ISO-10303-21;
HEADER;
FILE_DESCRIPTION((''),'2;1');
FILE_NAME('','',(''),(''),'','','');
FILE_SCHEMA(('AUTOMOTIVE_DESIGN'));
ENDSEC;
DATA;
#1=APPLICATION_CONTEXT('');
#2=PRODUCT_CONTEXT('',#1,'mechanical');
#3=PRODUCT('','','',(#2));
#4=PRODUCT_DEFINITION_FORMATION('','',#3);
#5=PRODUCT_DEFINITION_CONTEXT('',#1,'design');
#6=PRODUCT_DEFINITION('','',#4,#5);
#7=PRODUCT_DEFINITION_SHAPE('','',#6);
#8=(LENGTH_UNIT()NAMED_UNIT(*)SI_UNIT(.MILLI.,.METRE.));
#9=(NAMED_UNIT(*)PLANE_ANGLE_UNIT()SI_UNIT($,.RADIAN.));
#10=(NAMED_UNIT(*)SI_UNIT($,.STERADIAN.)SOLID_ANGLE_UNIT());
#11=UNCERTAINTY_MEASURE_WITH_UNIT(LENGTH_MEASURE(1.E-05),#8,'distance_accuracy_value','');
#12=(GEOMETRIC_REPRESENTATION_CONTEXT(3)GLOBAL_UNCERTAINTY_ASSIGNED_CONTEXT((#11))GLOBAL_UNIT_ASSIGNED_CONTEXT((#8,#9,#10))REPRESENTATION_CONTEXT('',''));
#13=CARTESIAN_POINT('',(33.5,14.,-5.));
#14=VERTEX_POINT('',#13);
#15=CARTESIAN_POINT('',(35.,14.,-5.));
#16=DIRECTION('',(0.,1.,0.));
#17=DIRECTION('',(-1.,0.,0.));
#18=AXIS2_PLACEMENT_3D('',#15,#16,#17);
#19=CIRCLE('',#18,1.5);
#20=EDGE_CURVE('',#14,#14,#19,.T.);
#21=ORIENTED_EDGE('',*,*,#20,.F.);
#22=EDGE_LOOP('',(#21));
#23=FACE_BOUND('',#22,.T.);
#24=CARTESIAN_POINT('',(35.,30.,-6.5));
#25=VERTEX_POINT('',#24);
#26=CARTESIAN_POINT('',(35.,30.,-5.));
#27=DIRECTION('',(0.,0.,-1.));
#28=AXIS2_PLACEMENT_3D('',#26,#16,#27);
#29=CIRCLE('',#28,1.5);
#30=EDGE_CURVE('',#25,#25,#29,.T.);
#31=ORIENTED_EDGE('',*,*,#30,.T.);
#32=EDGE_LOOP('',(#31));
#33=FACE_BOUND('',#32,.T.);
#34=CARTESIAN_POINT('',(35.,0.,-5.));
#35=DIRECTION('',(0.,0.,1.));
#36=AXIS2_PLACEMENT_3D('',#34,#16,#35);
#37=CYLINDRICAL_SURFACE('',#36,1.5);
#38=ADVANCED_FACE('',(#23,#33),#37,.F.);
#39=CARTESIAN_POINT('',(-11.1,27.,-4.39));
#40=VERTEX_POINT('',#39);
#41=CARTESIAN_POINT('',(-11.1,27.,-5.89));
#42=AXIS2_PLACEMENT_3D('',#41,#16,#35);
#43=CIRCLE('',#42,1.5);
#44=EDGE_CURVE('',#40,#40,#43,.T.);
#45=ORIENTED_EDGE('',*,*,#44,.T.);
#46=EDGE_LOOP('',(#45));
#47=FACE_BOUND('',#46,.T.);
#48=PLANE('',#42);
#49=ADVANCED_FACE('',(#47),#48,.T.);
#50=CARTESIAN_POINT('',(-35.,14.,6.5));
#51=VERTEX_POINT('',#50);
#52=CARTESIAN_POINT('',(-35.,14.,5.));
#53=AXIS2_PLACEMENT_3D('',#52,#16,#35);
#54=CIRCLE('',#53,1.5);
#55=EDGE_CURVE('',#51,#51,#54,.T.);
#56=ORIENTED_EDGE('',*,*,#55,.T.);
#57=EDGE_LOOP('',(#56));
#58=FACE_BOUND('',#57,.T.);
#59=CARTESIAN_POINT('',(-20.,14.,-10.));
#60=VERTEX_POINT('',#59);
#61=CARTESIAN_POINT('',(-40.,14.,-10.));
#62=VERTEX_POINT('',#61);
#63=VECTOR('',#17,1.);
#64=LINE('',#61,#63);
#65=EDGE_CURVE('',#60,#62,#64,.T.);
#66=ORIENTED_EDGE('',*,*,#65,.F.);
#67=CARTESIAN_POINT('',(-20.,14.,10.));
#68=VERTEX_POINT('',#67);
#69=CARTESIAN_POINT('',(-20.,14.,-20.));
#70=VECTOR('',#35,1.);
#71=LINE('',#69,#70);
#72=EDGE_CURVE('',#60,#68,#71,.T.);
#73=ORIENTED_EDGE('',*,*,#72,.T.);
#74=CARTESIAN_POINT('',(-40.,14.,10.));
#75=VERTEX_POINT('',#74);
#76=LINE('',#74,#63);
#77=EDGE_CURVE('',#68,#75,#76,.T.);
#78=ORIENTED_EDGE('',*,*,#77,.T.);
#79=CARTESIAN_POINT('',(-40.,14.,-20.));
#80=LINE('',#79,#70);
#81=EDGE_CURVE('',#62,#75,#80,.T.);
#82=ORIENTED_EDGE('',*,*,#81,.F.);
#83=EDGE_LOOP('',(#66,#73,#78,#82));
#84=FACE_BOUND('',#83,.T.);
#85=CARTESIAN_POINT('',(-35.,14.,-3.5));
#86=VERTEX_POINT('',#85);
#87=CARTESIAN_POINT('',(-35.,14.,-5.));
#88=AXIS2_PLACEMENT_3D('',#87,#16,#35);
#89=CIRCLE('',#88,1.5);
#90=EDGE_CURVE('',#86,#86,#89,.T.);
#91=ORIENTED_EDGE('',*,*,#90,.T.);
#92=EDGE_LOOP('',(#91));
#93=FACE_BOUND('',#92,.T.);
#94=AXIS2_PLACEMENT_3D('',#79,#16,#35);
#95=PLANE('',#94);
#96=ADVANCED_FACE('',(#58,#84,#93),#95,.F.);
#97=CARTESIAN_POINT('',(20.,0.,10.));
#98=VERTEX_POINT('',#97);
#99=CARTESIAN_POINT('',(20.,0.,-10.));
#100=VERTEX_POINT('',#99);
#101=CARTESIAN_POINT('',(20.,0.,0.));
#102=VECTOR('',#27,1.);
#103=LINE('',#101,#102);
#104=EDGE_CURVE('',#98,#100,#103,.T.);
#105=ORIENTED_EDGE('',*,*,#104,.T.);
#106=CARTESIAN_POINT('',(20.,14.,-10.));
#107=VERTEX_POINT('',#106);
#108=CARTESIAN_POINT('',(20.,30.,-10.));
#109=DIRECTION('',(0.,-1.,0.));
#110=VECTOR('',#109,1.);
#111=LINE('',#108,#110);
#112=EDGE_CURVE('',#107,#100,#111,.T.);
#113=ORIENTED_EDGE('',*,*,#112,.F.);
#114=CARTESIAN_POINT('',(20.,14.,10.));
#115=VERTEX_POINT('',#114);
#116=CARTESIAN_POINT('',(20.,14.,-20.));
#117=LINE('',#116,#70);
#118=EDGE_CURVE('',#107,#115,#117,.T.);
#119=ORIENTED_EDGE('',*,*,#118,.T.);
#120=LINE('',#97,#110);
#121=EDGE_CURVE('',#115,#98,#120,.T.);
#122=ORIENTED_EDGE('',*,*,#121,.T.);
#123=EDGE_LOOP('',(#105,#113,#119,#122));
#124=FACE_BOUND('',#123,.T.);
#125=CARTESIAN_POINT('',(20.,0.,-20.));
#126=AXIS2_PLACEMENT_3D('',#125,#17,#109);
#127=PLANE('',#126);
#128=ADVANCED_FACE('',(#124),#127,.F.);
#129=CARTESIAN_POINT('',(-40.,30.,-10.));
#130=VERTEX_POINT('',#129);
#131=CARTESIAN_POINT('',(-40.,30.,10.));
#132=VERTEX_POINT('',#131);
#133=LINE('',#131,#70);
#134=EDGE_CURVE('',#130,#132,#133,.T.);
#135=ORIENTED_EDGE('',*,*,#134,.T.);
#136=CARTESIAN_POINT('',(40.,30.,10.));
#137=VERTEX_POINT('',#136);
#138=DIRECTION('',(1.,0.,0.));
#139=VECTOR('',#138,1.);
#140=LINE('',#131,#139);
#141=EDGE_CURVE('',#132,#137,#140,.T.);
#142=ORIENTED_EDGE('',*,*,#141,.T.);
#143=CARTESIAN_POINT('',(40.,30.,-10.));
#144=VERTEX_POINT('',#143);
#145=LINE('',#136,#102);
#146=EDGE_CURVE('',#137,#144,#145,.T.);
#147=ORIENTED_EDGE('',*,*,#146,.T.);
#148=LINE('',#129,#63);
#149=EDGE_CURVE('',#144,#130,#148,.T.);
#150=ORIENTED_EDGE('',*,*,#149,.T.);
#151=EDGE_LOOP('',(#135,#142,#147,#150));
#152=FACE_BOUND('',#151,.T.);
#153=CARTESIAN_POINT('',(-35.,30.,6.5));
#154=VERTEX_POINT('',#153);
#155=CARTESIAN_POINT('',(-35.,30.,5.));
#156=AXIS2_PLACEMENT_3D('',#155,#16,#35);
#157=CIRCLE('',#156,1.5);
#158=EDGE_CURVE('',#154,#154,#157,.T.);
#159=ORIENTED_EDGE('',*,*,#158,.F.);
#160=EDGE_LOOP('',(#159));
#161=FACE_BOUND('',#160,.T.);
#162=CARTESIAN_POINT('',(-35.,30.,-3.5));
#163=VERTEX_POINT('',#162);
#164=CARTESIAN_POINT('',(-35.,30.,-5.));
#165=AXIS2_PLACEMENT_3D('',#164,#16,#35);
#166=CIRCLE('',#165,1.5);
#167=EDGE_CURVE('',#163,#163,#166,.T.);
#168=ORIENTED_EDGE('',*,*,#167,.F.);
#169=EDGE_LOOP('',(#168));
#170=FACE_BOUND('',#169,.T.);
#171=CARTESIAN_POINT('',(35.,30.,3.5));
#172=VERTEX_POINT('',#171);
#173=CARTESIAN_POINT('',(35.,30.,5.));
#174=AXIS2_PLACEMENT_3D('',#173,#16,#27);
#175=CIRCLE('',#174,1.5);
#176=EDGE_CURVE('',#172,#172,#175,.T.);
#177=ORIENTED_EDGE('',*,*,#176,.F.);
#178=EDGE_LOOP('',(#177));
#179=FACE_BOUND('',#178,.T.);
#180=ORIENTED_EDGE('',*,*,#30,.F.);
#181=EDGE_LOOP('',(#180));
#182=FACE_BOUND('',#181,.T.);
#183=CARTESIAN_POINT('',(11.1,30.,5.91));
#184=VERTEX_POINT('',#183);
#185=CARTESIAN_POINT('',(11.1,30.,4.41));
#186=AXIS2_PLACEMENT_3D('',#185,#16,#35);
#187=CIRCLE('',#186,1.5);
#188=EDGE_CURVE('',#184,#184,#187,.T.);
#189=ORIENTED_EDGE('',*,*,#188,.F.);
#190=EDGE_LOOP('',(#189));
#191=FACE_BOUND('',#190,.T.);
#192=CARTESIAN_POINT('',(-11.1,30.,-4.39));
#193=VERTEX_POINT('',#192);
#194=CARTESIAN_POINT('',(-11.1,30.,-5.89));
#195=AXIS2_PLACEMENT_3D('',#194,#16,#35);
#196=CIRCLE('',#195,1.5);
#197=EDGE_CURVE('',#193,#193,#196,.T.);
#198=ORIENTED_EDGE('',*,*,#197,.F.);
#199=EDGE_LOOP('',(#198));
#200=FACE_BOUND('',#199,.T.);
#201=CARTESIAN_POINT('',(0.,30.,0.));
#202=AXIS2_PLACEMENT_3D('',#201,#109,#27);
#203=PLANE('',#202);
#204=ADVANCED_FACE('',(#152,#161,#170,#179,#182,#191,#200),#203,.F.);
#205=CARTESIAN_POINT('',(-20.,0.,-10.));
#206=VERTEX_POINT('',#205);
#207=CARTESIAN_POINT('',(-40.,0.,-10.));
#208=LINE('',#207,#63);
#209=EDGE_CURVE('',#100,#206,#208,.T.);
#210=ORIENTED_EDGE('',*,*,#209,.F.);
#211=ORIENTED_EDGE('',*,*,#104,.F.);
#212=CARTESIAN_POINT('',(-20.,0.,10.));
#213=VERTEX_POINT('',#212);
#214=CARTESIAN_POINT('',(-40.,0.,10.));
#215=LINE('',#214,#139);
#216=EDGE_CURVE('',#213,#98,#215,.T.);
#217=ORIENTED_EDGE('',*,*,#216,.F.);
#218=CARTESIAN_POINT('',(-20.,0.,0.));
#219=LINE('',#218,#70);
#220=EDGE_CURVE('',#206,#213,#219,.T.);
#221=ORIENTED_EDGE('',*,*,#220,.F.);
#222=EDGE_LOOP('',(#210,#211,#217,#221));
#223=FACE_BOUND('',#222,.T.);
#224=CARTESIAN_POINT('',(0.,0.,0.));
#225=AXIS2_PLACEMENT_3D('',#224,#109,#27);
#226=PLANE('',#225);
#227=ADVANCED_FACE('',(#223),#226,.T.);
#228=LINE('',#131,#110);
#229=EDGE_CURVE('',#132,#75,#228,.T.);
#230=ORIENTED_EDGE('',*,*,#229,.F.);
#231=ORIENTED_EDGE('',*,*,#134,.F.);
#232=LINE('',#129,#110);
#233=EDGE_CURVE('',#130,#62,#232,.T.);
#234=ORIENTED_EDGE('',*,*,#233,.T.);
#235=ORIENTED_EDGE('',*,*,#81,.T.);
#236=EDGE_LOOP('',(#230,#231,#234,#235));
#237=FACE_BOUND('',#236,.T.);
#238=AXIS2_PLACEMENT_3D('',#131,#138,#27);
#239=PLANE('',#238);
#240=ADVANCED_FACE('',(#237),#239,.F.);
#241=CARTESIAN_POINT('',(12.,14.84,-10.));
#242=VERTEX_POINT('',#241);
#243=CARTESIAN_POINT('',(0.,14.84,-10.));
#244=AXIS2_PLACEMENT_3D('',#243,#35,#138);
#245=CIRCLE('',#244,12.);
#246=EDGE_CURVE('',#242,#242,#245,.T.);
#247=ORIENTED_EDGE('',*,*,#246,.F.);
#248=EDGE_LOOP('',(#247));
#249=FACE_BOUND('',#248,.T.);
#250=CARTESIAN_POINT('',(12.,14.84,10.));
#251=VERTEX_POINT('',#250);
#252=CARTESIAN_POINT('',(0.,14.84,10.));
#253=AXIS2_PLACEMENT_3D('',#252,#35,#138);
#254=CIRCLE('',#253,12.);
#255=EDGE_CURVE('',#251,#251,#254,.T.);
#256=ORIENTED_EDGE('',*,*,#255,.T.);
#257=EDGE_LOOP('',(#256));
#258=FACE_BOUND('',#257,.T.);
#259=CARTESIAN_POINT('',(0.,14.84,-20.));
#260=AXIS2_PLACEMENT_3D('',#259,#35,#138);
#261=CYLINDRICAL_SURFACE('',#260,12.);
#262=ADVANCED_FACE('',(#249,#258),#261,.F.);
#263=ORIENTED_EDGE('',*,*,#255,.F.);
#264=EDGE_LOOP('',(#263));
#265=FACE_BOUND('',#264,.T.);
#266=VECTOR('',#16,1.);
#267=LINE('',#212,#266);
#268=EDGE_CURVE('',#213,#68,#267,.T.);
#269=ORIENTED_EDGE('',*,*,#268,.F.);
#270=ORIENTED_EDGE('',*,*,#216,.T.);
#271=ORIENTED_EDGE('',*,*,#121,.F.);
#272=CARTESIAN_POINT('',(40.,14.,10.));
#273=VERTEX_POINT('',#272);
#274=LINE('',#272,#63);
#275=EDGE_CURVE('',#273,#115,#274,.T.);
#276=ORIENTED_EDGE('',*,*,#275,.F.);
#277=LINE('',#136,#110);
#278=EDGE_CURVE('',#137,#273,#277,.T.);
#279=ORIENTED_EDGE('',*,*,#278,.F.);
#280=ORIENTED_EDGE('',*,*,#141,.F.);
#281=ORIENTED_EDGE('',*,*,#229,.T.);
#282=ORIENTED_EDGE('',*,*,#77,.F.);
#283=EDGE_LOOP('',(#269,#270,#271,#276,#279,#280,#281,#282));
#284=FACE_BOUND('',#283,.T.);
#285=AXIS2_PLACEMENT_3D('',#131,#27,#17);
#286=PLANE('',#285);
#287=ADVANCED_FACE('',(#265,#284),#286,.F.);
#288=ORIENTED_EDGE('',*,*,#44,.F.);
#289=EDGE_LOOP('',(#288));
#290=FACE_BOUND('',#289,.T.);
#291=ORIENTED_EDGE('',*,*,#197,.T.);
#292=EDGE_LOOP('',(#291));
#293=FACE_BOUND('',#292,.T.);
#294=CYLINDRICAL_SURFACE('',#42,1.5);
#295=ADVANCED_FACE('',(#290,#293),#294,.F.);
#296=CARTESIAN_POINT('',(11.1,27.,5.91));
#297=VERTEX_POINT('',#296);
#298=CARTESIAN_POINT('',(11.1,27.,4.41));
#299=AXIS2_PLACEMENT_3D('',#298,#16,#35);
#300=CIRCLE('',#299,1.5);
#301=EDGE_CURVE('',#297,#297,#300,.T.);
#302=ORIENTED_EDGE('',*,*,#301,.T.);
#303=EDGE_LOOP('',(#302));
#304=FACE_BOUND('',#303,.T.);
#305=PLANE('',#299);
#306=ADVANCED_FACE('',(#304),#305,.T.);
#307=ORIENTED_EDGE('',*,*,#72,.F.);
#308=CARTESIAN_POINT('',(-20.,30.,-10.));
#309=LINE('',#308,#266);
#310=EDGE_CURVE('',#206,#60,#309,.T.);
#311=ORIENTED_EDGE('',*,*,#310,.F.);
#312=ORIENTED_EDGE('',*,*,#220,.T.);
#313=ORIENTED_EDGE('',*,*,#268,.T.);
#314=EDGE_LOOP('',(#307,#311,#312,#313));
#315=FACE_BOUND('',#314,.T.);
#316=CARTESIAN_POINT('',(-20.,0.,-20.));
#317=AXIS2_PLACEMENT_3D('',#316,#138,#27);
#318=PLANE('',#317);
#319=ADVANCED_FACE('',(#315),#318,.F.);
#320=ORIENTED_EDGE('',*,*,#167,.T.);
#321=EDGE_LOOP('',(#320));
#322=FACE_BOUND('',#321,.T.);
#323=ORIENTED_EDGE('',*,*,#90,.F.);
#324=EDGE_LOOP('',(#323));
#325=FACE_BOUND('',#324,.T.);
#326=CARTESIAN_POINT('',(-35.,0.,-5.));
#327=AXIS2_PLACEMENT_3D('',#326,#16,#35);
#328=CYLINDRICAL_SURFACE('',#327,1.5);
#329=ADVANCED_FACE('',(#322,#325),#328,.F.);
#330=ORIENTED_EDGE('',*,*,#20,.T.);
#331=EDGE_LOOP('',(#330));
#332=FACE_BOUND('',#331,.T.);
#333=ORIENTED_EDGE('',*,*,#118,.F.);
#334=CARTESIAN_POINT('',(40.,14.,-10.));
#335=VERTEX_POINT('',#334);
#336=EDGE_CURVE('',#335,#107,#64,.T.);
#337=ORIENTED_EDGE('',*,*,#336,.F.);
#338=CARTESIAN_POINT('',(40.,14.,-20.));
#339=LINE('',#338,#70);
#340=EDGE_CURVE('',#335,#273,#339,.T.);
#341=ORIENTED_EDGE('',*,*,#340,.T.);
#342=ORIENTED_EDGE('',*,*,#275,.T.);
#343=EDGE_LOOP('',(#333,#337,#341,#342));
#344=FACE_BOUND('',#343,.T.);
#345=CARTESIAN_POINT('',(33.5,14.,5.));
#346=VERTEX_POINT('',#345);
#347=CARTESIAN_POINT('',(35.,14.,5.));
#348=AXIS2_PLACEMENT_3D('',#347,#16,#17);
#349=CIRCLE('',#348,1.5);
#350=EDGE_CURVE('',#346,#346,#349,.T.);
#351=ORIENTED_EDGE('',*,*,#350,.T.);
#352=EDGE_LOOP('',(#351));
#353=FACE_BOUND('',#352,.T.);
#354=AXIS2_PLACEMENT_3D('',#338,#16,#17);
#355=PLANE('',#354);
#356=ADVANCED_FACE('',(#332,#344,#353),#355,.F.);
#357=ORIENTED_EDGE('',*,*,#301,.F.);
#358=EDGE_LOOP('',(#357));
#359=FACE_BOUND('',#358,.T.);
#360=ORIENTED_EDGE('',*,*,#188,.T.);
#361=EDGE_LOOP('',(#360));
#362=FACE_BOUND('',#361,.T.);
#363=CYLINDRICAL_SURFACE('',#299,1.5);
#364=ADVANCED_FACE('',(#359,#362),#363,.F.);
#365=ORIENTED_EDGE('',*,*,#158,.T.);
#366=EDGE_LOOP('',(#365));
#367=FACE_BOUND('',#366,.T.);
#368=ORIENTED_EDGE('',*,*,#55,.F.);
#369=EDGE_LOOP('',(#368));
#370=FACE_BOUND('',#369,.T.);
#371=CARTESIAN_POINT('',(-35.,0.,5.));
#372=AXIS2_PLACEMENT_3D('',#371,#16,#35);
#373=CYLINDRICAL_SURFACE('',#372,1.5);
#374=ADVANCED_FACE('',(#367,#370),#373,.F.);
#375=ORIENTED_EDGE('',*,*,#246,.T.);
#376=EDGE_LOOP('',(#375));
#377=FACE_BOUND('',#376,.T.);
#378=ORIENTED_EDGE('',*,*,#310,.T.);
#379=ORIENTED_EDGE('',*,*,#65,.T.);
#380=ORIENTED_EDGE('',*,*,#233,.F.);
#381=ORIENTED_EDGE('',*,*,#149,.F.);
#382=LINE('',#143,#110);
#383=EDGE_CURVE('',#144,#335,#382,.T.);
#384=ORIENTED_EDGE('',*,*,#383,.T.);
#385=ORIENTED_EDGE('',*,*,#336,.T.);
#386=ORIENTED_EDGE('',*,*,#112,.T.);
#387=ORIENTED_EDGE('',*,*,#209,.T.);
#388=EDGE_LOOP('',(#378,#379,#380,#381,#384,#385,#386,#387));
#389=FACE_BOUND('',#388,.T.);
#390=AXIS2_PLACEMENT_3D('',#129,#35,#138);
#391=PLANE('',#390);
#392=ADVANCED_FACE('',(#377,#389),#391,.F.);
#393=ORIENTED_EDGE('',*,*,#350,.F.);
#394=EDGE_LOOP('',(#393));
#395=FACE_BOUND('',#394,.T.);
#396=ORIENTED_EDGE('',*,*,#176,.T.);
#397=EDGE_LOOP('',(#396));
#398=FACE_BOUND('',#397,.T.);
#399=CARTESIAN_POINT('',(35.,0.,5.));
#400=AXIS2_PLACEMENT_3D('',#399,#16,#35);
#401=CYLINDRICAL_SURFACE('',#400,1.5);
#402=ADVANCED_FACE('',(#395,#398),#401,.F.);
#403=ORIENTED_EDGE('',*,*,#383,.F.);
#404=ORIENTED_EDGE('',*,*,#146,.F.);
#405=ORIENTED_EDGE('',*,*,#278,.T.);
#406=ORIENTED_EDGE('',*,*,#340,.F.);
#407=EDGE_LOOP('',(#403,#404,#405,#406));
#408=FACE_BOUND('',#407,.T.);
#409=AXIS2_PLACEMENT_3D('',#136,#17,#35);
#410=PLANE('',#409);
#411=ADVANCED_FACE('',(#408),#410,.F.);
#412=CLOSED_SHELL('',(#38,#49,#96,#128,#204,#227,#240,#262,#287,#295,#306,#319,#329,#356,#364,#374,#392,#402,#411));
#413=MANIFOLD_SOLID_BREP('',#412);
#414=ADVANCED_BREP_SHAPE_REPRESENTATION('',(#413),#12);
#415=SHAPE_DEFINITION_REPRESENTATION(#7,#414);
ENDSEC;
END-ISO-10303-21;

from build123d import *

# Parameters (mm, degrees)
SKETCH2_W           = 80
SKETCH2_H           = 20
BOSS_EXTRUDE1_DEPTH = 30
SKETCH3_W           = 20
SKETCH3_H           = 14
CUT_EXTRUDE1_DEPTH  = 30
SKETCH4_R           = 12
CUT_EXTRUDE2_DEPTH  = 30
SKETCH5_R           = 1.5
CUT_EXTRUDE3_DEPTH  = 30
SKETCH6_R           = 1.5
CUT_EXTRUDE4_DEPTH  = 3


with BuildPart() as part:
    # Sketch2 → Boss-Extrude1 (new body)
    with BuildSketch(Plane(origin=(0, 0, 0), x_dir=(1, 0, 0), z_dir=(0, 1, 0))):
        Rectangle(SKETCH2_W, SKETCH2_H)
    extrude(amount=BOSS_EXTRUDE1_DEPTH)

    # Sketch3 → Cut-Extrude1 (cut)
    with BuildSketch(Plane.XY.offset(10)):
        with Locations((30, 7)):
            Rectangle(SKETCH3_W, SKETCH3_H)
        with Locations((-30, 7)):
            Rectangle(SKETCH3_W, SKETCH3_H)
    extrude(amount=-CUT_EXTRUDE1_DEPTH, mode=Mode.SUBTRACT)

    # Sketch4 → Cut-Extrude2 (cut)
    with BuildSketch(Plane.XY.offset(10)):
        with Locations((0, 14.84)):
            Circle(SKETCH4_R)
    extrude(amount=-CUT_EXTRUDE2_DEPTH, mode=Mode.SUBTRACT)

    # Sketch5 → Cut-Extrude3 (cut)
    with BuildSketch(Plane(origin=(0, 30, 0), x_dir=(1, 0, 0), z_dir=(0, 1, 0))):
        with Locations((-35, 5)):
            Circle(SKETCH5_R)
        with Locations((-35, -5)):
            Circle(SKETCH5_R)
        with Locations((35, -5)):
            Circle(SKETCH5_R)
        with Locations((35, 5)):
            Circle(SKETCH5_R)
    extrude(amount=-CUT_EXTRUDE3_DEPTH, mode=Mode.SUBTRACT)

    # Sketch6 → Cut-Extrude4 (cut)
    with BuildSketch(Plane(origin=(0, 30, 0), x_dir=(1, 0, 0), z_dir=(0, 1, 0))):
        with Locations((-11.1, 5.89)):
            Circle(SKETCH6_R)
        with Locations((11.1, -4.41)):
            Circle(SKETCH6_R)
    extrude(amount=-CUT_EXTRUDE4_DEPTH, mode=Mode.SUBTRACT)


solid = part.part
